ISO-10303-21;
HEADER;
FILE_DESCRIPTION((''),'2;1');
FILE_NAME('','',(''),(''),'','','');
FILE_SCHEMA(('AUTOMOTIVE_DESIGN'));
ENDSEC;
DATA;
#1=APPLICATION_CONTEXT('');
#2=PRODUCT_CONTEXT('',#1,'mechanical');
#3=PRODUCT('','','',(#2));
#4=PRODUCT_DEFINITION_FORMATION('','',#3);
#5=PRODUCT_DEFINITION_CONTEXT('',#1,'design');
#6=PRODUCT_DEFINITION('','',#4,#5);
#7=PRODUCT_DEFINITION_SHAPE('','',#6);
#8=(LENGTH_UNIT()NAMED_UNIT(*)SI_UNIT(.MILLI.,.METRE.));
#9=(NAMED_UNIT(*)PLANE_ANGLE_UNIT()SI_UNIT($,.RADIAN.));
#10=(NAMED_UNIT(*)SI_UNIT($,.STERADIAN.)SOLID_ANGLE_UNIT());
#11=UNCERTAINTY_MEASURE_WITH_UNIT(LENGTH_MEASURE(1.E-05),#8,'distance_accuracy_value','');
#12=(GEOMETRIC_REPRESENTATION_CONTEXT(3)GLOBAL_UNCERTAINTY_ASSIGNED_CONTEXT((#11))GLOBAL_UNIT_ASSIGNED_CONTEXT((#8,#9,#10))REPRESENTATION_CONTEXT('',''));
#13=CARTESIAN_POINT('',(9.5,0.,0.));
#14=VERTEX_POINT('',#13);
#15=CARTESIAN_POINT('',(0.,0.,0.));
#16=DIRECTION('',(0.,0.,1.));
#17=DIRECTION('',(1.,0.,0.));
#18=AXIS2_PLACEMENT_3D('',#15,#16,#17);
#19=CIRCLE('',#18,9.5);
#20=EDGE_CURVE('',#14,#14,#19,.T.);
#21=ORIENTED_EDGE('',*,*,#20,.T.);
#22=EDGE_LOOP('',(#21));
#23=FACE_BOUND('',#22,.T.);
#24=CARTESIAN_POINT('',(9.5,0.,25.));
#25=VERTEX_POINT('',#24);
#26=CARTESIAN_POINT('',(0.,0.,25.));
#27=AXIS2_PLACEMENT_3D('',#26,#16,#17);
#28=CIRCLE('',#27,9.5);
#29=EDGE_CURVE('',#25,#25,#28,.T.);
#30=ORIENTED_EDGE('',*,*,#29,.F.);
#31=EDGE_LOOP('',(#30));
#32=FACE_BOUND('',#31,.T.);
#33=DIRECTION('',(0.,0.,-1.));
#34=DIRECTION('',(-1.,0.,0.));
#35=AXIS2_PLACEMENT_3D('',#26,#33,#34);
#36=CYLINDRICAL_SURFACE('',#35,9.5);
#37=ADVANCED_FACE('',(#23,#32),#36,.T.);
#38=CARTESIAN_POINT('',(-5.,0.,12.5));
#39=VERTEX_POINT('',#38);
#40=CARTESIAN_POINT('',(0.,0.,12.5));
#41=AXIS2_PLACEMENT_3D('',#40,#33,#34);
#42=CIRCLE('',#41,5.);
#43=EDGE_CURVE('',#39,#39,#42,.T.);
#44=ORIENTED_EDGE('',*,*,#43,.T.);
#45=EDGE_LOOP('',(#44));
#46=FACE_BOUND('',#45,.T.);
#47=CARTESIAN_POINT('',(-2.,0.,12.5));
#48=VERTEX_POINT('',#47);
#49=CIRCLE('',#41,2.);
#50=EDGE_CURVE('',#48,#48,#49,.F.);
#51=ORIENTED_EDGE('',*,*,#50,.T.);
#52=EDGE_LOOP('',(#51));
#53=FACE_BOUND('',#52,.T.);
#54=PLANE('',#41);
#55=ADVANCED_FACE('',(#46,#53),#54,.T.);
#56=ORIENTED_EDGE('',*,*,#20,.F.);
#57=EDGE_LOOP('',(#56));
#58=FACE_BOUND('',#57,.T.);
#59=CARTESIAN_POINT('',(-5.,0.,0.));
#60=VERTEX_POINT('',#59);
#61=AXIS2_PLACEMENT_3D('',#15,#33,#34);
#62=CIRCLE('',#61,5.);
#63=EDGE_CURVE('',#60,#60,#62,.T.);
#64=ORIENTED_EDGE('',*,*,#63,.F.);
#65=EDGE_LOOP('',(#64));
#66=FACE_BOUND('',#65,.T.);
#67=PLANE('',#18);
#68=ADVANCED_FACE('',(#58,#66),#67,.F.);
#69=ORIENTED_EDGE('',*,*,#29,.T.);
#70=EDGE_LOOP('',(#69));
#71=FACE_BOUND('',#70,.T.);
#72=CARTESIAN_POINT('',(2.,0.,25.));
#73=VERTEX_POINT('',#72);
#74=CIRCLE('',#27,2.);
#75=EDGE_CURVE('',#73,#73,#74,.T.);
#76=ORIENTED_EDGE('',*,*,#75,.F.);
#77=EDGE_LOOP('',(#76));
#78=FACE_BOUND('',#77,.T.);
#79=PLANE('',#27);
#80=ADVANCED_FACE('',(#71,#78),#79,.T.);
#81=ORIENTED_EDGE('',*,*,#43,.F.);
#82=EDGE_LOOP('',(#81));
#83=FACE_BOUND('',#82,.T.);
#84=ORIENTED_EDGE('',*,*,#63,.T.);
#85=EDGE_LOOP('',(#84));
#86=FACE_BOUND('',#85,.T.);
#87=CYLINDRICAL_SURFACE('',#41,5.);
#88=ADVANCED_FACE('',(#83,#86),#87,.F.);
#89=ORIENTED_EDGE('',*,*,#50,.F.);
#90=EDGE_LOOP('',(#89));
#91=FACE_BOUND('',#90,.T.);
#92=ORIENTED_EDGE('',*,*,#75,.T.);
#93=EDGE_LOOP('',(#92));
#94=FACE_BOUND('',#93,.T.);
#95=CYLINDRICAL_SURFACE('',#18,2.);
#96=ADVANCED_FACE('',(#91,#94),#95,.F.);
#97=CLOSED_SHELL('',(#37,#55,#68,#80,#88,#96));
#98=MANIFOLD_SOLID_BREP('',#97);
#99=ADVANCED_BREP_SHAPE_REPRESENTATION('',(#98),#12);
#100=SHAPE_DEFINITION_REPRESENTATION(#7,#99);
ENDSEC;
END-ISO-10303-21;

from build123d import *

# Parameters (mm, degrees)
SKETCH1_R           = 9.5
BOSS_EXTRUDE1_DEPTH = 25
SKETCH2_R           = 2
CUT_EXTRUDE1_DEPTH  = 26
SKETCH3_R           = 5
CUT_EXTRUDE2_DEPTH  = 12.5


with BuildPart() as part:
    # Sketch1 → Boss-Extrude1 (new body)
    with BuildSketch(Plane.XY):
        Circle(SKETCH1_R)
    extrude(amount=BOSS_EXTRUDE1_DEPTH)

    # Sketch2 → Cut-Extrude1 (cut, through all)
    with BuildSketch(Plane.XY.offset(25)):
        Circle(SKETCH2_R)
    extrude(amount=-CUT_EXTRUDE1_DEPTH, mode=Mode.SUBTRACT)

    # Sketch3 → Cut-Extrude2 (cut)
    with BuildSketch(Plane(origin=(0, 0, 0), x_dir=(-1, 0, 0), z_dir=(0, 0, -1))):
        Circle(SKETCH3_R)
    extrude(amount=-CUT_EXTRUDE2_DEPTH, mode=Mode.SUBTRACT)


solid = part.part
